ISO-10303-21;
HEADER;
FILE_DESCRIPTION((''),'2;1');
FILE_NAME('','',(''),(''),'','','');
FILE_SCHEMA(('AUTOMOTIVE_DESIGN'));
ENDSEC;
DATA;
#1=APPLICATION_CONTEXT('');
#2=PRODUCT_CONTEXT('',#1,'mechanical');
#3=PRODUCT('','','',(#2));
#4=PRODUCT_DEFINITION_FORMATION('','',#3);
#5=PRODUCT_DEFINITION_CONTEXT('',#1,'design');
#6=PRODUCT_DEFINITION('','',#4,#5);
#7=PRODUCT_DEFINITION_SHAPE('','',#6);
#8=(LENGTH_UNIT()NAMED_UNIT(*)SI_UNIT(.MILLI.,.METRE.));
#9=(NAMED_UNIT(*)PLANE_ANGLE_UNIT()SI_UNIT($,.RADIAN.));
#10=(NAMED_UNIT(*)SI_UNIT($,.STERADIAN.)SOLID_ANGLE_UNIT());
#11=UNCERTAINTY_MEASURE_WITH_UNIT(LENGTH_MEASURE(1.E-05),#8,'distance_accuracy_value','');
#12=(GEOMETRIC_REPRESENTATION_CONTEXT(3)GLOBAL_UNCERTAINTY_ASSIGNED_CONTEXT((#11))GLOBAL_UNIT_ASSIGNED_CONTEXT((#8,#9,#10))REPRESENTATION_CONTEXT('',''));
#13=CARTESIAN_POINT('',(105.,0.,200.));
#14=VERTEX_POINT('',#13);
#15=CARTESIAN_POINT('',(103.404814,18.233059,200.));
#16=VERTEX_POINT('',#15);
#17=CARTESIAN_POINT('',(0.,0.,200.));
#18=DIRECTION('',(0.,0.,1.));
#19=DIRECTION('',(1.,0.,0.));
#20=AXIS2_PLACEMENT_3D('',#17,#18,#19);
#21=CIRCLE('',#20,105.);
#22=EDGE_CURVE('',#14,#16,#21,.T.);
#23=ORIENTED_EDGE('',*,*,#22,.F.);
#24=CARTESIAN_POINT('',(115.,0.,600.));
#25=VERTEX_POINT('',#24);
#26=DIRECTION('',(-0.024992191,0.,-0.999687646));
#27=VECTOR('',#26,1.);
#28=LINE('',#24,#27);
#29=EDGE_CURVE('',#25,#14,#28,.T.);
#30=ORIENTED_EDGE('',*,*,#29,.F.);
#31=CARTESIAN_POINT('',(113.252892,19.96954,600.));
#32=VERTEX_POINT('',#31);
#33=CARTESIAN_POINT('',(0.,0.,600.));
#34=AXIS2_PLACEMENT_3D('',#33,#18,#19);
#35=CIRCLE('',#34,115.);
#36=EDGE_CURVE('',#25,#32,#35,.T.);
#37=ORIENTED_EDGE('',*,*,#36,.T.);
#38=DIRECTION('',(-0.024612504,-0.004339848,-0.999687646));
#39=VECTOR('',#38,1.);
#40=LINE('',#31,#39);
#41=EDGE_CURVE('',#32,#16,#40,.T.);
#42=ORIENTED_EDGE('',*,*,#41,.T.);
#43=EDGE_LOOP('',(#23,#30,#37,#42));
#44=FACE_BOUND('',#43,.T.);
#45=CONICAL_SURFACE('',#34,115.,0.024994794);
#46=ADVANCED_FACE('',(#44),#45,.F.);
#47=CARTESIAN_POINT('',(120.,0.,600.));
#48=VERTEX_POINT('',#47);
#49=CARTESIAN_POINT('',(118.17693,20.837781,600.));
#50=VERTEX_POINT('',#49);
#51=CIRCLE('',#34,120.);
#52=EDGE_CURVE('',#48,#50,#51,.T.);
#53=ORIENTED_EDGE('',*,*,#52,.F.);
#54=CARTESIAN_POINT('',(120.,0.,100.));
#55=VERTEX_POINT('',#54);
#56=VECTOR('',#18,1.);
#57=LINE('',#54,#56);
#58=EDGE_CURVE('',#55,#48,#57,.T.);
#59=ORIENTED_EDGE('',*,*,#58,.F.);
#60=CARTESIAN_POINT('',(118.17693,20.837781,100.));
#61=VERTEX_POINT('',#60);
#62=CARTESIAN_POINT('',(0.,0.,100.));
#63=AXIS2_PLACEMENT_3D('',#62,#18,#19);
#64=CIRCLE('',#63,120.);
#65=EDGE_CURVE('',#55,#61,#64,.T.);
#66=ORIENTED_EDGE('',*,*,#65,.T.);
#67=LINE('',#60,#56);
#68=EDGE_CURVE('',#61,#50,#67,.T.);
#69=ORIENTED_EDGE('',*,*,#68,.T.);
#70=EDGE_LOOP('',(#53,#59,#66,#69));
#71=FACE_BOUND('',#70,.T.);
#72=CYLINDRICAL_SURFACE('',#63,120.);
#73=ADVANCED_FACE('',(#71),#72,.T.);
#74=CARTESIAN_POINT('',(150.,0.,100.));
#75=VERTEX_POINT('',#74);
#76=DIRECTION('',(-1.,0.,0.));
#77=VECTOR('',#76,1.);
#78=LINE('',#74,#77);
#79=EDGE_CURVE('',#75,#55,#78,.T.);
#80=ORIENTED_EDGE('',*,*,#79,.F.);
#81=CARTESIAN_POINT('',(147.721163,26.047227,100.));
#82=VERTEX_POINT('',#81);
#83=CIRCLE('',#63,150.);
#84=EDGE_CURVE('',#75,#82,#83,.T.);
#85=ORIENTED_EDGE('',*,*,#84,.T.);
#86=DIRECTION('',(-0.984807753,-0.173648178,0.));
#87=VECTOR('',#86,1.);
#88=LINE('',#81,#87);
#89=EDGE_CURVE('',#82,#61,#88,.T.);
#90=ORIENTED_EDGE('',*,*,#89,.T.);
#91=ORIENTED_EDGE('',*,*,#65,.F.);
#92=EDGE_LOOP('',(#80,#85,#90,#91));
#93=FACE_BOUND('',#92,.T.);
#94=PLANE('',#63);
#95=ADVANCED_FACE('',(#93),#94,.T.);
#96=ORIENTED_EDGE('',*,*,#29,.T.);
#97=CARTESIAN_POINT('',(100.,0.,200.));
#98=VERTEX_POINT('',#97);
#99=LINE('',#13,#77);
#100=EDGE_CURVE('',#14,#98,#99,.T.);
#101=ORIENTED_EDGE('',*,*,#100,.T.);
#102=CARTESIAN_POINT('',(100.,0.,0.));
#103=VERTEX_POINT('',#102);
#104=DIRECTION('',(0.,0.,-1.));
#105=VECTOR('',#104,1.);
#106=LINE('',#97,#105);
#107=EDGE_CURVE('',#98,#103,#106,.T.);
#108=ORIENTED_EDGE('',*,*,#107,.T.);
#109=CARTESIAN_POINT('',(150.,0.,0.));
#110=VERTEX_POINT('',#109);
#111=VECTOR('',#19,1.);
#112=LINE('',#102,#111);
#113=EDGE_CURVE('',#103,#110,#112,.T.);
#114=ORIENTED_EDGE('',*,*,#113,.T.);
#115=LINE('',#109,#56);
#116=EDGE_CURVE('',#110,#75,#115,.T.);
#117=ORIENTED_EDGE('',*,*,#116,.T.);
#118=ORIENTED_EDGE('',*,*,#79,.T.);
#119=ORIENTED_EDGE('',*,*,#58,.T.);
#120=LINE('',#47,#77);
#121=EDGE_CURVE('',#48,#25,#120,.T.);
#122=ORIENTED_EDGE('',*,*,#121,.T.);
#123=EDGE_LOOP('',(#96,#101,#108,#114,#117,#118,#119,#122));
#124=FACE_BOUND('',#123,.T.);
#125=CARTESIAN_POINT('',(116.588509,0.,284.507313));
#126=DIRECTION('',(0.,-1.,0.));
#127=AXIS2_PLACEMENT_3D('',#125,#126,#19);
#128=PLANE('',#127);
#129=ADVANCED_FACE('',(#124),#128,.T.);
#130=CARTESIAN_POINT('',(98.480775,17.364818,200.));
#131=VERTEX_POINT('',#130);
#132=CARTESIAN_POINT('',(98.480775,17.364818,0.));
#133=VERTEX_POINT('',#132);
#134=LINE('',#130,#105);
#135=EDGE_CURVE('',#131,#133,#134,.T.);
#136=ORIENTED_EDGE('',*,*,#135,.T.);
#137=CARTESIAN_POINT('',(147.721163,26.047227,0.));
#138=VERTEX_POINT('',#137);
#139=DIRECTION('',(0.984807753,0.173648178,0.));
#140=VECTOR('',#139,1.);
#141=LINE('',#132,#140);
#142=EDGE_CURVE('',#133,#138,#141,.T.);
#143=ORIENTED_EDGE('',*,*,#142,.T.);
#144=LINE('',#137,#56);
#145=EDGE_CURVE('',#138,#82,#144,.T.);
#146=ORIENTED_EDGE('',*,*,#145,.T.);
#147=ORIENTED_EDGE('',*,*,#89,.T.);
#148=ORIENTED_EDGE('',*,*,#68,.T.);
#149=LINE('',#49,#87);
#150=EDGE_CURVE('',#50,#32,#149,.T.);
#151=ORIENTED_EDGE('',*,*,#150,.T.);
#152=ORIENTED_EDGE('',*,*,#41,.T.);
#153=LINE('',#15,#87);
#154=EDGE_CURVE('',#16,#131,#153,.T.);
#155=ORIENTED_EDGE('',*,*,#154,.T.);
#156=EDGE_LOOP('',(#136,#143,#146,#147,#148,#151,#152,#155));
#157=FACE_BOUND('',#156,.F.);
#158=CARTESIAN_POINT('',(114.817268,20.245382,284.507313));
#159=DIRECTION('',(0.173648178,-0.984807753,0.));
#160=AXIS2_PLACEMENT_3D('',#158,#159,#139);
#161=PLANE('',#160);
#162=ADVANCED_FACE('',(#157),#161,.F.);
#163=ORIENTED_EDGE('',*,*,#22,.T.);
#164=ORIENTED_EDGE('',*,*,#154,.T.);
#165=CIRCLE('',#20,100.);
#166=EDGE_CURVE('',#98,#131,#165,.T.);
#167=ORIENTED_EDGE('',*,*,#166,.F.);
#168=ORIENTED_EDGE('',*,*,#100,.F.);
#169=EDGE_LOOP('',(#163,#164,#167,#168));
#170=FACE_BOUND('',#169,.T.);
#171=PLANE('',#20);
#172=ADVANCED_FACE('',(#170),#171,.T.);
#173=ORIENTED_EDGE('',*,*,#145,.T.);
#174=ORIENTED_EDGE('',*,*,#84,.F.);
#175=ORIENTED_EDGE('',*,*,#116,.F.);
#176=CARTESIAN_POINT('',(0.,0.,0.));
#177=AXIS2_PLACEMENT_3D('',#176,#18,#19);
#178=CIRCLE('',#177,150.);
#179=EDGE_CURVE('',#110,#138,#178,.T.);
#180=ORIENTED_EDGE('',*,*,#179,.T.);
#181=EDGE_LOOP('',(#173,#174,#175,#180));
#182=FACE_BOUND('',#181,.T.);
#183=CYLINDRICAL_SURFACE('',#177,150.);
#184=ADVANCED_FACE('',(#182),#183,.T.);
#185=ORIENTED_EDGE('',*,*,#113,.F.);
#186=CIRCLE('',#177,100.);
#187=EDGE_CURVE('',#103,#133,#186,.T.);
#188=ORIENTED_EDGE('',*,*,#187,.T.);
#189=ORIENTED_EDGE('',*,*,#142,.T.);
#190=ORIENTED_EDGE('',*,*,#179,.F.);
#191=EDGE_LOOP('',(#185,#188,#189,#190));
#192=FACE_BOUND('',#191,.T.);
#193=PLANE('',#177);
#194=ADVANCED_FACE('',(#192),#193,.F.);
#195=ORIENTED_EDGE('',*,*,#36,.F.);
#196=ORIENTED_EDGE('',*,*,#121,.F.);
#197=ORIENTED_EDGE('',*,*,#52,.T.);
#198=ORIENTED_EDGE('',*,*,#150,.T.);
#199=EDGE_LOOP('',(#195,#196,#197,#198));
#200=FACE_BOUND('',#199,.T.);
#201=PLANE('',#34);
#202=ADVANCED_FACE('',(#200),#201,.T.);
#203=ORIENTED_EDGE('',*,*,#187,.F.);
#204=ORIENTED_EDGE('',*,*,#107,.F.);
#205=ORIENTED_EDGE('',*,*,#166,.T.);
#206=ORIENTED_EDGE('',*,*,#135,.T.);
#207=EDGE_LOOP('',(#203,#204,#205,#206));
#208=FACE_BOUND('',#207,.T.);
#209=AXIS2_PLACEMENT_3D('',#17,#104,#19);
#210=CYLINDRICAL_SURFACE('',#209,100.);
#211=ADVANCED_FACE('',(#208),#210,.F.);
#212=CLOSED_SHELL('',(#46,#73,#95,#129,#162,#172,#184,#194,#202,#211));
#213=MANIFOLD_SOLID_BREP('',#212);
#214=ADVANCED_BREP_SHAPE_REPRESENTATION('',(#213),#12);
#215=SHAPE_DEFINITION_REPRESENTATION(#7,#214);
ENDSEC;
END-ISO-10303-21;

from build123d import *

# Parameters (mm, degrees)
F1_ANGLE = 10


with BuildPart() as f1:
    # F0 (on Front) → F1 (revolve)
    with BuildSketch(Plane.XZ):
        Polygon((100, 200), (100, 0), (150, 0), (150, 100), (120, 100), (120, 600), (115, 600), (105.25, 210), (105, 200), align=None)
    revolve(axis=Axis((0, 0, 405), (0, 0, 1)), revolution_arc=F1_ANGLE)


solid = f1.part
